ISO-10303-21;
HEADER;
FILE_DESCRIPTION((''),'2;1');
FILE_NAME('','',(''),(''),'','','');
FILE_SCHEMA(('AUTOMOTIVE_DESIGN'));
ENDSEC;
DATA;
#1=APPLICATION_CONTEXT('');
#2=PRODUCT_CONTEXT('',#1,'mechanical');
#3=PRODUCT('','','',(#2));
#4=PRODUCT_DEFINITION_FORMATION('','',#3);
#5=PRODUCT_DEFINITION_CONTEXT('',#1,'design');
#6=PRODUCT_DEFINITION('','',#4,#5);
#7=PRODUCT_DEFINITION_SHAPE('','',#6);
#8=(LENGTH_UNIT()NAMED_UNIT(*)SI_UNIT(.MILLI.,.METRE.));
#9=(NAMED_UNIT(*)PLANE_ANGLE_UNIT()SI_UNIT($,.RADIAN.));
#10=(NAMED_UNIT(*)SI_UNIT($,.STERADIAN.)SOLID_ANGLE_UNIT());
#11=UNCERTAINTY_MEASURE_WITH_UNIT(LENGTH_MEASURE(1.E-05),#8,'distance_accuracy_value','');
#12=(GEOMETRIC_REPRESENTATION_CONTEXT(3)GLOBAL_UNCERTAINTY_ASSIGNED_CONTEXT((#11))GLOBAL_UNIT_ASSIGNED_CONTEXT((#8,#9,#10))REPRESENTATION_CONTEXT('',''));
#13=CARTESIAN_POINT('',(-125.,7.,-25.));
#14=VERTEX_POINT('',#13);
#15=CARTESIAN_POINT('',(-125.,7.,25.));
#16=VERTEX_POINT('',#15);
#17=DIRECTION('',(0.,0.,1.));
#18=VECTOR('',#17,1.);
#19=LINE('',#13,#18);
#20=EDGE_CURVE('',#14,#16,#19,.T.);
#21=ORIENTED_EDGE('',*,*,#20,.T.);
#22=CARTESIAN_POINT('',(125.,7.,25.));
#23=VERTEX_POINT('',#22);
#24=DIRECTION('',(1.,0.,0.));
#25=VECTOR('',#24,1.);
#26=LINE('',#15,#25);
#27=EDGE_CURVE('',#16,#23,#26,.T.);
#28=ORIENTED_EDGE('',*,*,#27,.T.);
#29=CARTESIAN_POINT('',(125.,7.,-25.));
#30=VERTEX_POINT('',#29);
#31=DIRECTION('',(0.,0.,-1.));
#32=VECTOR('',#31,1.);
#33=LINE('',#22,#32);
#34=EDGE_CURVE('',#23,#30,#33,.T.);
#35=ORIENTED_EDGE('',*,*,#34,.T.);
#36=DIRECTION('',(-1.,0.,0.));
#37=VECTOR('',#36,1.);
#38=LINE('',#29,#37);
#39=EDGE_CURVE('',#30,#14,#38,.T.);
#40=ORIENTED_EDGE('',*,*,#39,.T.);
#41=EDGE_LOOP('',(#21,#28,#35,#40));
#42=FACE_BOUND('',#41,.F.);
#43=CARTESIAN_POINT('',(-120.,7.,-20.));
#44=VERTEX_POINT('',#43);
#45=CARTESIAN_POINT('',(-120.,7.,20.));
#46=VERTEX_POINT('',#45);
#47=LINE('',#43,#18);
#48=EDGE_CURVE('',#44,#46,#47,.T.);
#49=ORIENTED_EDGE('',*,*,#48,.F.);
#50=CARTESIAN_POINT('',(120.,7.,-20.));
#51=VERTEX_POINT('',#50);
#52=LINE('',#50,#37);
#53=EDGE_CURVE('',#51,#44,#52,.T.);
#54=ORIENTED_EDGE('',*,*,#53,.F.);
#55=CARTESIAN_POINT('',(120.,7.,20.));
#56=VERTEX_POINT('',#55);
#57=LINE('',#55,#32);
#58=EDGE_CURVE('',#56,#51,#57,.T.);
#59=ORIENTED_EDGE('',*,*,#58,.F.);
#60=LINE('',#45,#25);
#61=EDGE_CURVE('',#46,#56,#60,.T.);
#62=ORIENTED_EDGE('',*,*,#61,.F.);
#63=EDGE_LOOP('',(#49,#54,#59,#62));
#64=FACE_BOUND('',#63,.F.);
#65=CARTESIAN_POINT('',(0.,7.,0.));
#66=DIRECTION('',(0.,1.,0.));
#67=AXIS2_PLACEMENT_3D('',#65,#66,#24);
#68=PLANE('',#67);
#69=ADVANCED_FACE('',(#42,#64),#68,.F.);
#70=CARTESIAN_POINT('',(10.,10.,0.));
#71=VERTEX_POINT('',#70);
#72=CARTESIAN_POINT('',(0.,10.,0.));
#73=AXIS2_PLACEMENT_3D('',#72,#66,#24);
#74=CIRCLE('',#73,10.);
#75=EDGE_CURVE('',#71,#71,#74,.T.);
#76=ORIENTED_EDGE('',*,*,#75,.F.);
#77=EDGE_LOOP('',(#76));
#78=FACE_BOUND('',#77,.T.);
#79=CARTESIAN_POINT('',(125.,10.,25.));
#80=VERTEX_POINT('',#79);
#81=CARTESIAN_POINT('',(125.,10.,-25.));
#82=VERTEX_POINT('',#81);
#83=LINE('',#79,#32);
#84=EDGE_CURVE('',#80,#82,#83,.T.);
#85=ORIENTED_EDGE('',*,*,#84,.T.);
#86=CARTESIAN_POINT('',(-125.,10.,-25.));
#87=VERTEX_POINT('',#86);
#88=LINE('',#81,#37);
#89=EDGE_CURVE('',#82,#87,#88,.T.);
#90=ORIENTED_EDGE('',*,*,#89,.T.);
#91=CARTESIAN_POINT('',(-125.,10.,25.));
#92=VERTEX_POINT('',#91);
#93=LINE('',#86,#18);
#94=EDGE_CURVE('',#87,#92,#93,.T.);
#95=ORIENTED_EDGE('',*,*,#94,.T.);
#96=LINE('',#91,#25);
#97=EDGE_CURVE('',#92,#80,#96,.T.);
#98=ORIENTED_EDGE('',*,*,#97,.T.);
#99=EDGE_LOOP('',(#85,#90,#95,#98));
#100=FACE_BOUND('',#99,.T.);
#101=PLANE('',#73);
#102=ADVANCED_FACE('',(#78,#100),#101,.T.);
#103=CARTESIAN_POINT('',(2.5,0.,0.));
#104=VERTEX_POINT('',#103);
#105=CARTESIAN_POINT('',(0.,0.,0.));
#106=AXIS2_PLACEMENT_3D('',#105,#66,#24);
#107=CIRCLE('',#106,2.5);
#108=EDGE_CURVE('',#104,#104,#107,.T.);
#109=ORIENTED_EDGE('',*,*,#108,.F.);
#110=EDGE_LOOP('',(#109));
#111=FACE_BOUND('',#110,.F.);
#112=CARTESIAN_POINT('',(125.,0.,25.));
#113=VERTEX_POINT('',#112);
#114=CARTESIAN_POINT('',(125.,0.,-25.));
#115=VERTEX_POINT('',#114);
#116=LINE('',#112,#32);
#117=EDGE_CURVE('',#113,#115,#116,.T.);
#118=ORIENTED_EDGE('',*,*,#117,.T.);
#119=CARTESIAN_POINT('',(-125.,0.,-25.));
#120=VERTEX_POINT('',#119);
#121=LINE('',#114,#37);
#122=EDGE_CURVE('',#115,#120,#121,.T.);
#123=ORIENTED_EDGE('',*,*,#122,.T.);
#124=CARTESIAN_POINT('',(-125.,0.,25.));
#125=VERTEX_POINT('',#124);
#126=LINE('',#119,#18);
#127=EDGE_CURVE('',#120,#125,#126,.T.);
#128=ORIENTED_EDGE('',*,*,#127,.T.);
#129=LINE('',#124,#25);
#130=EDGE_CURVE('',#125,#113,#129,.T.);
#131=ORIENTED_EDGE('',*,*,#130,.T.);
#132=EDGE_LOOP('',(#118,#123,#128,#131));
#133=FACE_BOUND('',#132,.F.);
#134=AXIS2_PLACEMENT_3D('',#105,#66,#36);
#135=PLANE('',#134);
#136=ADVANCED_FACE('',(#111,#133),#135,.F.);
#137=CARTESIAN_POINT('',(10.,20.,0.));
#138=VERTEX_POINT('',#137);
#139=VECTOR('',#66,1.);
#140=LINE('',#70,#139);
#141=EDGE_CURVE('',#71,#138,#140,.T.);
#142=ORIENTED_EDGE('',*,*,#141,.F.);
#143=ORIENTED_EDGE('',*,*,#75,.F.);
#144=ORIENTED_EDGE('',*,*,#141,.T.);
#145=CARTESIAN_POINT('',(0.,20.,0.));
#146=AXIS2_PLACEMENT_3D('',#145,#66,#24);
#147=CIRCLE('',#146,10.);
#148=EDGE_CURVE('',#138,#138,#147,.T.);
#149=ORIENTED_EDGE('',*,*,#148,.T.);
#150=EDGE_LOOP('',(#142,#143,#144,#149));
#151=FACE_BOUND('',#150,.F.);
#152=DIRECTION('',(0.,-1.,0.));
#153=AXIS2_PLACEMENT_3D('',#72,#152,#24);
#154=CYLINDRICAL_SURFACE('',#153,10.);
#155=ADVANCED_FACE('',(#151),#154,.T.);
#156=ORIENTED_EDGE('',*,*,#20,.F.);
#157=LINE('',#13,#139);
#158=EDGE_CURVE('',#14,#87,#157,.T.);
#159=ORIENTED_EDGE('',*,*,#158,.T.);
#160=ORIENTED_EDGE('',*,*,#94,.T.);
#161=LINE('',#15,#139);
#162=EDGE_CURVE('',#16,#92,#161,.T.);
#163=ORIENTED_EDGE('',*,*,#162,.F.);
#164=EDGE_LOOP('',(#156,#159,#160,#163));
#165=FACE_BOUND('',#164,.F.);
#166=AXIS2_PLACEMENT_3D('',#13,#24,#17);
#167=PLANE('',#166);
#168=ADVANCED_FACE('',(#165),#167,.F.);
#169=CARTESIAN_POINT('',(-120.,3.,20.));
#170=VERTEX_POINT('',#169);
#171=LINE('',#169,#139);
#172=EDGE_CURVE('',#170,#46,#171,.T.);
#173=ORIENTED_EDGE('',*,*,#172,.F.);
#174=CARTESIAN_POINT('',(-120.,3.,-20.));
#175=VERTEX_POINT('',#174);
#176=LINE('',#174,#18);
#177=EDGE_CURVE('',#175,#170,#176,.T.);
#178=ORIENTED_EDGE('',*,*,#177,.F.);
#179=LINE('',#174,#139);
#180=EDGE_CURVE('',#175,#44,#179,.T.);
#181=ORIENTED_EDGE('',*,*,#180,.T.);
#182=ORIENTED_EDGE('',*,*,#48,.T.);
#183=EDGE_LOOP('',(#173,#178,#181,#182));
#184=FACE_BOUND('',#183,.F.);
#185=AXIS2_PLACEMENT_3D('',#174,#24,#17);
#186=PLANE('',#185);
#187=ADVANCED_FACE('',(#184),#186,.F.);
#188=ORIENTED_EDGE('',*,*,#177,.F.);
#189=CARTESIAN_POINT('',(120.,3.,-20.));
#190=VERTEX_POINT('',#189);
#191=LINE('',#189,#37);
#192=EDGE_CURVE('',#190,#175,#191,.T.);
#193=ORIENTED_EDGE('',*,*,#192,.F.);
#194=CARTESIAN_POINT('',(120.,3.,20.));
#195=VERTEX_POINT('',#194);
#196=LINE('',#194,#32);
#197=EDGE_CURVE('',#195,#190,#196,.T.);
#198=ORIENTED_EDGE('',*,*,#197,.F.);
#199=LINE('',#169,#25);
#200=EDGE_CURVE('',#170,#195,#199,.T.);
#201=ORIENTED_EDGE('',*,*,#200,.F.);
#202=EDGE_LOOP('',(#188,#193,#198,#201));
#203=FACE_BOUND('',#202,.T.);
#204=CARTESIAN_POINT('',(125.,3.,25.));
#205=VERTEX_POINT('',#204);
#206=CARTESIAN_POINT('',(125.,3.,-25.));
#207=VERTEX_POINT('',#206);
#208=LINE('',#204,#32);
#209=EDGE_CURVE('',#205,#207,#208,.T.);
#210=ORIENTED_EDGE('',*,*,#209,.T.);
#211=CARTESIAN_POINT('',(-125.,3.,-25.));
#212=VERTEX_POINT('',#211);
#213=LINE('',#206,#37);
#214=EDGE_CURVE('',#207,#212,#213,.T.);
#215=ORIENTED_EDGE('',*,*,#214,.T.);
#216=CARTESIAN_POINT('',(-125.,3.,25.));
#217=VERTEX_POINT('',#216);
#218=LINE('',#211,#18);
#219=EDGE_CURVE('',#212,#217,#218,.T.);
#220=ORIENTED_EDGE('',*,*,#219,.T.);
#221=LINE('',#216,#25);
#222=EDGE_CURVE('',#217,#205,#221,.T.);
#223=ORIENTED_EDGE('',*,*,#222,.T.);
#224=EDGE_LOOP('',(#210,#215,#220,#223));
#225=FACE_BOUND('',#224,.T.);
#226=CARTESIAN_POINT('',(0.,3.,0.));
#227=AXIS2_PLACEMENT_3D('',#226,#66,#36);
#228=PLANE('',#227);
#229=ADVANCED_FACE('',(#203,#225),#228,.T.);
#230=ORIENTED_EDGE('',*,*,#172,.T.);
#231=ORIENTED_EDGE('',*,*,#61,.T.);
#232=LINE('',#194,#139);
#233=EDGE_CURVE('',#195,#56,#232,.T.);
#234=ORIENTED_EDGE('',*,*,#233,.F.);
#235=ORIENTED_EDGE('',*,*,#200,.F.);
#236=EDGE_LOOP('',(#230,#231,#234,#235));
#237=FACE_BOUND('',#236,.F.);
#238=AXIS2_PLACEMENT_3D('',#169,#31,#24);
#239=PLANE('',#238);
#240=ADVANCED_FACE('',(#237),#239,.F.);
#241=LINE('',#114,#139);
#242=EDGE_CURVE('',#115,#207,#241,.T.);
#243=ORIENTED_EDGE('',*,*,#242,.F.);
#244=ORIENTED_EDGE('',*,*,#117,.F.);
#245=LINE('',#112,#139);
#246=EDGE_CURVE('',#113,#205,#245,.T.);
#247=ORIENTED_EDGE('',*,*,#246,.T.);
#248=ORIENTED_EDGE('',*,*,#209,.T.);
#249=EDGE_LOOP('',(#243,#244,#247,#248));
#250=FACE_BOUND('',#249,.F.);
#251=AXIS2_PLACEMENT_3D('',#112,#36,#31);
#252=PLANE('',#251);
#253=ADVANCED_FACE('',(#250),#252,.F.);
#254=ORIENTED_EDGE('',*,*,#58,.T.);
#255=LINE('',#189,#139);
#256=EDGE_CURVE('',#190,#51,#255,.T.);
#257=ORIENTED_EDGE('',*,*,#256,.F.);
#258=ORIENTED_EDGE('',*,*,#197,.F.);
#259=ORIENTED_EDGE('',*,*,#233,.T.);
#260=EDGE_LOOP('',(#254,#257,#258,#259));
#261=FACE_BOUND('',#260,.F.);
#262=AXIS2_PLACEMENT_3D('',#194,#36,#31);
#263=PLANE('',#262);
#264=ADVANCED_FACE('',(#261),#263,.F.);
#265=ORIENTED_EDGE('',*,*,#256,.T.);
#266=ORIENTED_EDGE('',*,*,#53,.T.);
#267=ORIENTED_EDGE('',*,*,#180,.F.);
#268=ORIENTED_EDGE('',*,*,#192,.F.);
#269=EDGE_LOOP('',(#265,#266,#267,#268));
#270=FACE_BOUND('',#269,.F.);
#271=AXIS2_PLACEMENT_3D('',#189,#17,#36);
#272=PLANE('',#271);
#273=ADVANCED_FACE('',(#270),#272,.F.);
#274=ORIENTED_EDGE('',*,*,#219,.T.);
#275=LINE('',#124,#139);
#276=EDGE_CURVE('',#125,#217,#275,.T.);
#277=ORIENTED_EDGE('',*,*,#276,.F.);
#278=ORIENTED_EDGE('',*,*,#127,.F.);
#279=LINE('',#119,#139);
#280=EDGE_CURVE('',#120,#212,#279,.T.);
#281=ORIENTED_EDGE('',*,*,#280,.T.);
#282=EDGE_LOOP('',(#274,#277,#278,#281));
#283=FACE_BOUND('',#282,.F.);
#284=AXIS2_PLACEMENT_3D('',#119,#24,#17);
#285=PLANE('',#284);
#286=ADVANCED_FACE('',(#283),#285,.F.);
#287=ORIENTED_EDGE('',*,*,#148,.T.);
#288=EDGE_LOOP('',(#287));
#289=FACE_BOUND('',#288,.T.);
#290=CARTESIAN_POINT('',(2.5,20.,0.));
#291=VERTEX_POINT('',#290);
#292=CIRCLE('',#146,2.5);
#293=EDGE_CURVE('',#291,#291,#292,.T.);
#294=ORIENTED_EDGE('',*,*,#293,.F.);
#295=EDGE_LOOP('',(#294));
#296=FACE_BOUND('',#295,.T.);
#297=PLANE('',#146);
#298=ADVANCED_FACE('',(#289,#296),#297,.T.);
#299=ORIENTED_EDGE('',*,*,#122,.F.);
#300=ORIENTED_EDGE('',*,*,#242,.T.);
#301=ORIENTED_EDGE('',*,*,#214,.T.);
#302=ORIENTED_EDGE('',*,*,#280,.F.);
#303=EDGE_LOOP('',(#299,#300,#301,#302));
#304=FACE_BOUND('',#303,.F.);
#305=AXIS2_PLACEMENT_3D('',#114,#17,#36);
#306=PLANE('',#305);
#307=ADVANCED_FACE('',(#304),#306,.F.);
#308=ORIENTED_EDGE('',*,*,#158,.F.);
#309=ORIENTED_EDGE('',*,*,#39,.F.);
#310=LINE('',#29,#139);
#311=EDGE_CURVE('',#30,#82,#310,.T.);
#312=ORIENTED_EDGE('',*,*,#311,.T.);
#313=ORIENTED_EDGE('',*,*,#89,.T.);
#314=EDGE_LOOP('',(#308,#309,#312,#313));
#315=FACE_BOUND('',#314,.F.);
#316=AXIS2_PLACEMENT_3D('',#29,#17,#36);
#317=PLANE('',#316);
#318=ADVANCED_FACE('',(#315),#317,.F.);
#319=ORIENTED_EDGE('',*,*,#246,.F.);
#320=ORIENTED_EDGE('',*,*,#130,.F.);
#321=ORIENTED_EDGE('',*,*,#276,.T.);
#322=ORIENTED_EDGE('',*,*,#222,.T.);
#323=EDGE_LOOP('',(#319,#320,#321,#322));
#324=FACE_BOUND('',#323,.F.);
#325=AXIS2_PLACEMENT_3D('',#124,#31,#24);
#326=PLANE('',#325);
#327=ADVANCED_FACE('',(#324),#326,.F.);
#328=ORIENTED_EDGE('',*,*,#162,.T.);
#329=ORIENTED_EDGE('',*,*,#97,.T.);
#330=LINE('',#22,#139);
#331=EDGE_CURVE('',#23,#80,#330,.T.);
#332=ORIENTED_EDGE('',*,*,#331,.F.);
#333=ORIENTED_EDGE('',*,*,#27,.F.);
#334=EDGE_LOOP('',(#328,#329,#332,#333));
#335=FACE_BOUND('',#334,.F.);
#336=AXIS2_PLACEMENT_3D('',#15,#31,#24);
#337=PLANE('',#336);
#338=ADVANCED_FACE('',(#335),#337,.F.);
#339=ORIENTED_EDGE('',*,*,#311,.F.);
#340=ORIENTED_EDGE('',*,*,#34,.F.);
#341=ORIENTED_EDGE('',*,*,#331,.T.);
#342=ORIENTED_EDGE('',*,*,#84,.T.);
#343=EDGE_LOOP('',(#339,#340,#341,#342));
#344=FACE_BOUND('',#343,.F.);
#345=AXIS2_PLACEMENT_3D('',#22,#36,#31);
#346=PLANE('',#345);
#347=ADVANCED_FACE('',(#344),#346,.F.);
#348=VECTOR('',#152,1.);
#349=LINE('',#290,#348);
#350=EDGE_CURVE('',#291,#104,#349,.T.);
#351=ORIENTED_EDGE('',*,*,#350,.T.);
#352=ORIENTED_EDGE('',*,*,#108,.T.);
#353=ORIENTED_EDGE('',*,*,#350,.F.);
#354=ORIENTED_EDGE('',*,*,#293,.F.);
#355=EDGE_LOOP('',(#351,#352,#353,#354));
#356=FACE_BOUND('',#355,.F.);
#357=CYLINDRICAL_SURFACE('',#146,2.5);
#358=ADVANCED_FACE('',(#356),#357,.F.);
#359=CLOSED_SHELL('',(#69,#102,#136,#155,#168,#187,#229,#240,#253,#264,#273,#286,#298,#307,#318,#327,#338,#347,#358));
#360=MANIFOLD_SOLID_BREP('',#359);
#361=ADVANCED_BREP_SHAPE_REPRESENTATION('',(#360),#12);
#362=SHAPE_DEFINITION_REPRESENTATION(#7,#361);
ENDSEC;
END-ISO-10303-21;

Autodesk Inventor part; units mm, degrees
ref_plane "YZ Plane" through (0, 0, 0) normal (1, 0, 0) x (0, 1, 0)
ref_plane "XZ Plane" through (0, 0, 0) normal (0, 1, 0) x (-1, 0, 0)
ref_plane "XY Plane" through (0, 0, 0) normal (0, 0, 1) x (1, 0, 0)
sketch "Sketch1" plane through (0, 0, 0) normal (0, 1, 0) x (-1, 0, 0)
  line L0 (-125, -25) -> (125, -25)
  line L1 (125, -25) -> (125, 25)
  line L2 (125, 25) -> (-125, 25)
  line L3 (-125, 25) -> (-125, -25)
  line L4 (-125, -25) -> (125, 25) construction
  line L5 (125, -25) -> (-125, 25) construction
  point P0 (0, 0)
  dimension "d0" = 250
  dimension "d1" = 50
extrude "Extrusion1" add sketch "Sketch1" along normal blind 3
sketch "Sketch2" plane through (0, 3, 0) normal (0, 1, 0) x (1, 0, 0)
  line L0 (120, 20) -> (-120, 20)
  line L1 (-120, 20) -> (-120, -20)
  line L2 (-120, -20) -> (120, -20)
  line L3 (120, -20) -> (120, 20)
  line L4 (120, 20) -> (-120, -20) construction
  line L5 (-120, 20) -> (120, -20) construction
  point P0 (0, 0)
  dimension "d4" = 240
  dimension "d5" = 40
extrude "Extrusion2" add sketch "Sketch2" along normal blind 4
sketch "Sketch3" plane through (0, 7, 0) normal (0, 1, 0) x (1, 0, 0)
  line L0 (125, 25) -> (-125, 25)
  line L1 (-125, 25) -> (-125, -25)
  line L2 (-125, -25) -> (125, -25)
  line L3 (125, -25) -> (125, 25)
  line L4 (125, 25) -> (-125, -25) construction
  line L5 (-125, 25) -> (125, -25) construction
  point P0 (0, 0)
extrude "Extrusion3" add sketch "Sketch3" along normal blind 3
sketch "Sketch4" plane through (0, 10, 0) normal (0, 1, 0) x (1, 0, 0)
  circle A0 centre (0, 0) radius 10
  dimension "d10" = 20
extrude "Extrusion4" add sketch "Sketch4" along normal blind 10
sketch "Sketch5" plane through (0, 20, 0) normal (0, 1, 0) x (1, 0, 0)
  circle A0 centre (0, 0) radius 2.5
  dimension "d13" = 5
extrude "Extrusion5" cut sketch "Sketch5" against normal blind 30
properties part number "trail 7" material "Polypropylene"
